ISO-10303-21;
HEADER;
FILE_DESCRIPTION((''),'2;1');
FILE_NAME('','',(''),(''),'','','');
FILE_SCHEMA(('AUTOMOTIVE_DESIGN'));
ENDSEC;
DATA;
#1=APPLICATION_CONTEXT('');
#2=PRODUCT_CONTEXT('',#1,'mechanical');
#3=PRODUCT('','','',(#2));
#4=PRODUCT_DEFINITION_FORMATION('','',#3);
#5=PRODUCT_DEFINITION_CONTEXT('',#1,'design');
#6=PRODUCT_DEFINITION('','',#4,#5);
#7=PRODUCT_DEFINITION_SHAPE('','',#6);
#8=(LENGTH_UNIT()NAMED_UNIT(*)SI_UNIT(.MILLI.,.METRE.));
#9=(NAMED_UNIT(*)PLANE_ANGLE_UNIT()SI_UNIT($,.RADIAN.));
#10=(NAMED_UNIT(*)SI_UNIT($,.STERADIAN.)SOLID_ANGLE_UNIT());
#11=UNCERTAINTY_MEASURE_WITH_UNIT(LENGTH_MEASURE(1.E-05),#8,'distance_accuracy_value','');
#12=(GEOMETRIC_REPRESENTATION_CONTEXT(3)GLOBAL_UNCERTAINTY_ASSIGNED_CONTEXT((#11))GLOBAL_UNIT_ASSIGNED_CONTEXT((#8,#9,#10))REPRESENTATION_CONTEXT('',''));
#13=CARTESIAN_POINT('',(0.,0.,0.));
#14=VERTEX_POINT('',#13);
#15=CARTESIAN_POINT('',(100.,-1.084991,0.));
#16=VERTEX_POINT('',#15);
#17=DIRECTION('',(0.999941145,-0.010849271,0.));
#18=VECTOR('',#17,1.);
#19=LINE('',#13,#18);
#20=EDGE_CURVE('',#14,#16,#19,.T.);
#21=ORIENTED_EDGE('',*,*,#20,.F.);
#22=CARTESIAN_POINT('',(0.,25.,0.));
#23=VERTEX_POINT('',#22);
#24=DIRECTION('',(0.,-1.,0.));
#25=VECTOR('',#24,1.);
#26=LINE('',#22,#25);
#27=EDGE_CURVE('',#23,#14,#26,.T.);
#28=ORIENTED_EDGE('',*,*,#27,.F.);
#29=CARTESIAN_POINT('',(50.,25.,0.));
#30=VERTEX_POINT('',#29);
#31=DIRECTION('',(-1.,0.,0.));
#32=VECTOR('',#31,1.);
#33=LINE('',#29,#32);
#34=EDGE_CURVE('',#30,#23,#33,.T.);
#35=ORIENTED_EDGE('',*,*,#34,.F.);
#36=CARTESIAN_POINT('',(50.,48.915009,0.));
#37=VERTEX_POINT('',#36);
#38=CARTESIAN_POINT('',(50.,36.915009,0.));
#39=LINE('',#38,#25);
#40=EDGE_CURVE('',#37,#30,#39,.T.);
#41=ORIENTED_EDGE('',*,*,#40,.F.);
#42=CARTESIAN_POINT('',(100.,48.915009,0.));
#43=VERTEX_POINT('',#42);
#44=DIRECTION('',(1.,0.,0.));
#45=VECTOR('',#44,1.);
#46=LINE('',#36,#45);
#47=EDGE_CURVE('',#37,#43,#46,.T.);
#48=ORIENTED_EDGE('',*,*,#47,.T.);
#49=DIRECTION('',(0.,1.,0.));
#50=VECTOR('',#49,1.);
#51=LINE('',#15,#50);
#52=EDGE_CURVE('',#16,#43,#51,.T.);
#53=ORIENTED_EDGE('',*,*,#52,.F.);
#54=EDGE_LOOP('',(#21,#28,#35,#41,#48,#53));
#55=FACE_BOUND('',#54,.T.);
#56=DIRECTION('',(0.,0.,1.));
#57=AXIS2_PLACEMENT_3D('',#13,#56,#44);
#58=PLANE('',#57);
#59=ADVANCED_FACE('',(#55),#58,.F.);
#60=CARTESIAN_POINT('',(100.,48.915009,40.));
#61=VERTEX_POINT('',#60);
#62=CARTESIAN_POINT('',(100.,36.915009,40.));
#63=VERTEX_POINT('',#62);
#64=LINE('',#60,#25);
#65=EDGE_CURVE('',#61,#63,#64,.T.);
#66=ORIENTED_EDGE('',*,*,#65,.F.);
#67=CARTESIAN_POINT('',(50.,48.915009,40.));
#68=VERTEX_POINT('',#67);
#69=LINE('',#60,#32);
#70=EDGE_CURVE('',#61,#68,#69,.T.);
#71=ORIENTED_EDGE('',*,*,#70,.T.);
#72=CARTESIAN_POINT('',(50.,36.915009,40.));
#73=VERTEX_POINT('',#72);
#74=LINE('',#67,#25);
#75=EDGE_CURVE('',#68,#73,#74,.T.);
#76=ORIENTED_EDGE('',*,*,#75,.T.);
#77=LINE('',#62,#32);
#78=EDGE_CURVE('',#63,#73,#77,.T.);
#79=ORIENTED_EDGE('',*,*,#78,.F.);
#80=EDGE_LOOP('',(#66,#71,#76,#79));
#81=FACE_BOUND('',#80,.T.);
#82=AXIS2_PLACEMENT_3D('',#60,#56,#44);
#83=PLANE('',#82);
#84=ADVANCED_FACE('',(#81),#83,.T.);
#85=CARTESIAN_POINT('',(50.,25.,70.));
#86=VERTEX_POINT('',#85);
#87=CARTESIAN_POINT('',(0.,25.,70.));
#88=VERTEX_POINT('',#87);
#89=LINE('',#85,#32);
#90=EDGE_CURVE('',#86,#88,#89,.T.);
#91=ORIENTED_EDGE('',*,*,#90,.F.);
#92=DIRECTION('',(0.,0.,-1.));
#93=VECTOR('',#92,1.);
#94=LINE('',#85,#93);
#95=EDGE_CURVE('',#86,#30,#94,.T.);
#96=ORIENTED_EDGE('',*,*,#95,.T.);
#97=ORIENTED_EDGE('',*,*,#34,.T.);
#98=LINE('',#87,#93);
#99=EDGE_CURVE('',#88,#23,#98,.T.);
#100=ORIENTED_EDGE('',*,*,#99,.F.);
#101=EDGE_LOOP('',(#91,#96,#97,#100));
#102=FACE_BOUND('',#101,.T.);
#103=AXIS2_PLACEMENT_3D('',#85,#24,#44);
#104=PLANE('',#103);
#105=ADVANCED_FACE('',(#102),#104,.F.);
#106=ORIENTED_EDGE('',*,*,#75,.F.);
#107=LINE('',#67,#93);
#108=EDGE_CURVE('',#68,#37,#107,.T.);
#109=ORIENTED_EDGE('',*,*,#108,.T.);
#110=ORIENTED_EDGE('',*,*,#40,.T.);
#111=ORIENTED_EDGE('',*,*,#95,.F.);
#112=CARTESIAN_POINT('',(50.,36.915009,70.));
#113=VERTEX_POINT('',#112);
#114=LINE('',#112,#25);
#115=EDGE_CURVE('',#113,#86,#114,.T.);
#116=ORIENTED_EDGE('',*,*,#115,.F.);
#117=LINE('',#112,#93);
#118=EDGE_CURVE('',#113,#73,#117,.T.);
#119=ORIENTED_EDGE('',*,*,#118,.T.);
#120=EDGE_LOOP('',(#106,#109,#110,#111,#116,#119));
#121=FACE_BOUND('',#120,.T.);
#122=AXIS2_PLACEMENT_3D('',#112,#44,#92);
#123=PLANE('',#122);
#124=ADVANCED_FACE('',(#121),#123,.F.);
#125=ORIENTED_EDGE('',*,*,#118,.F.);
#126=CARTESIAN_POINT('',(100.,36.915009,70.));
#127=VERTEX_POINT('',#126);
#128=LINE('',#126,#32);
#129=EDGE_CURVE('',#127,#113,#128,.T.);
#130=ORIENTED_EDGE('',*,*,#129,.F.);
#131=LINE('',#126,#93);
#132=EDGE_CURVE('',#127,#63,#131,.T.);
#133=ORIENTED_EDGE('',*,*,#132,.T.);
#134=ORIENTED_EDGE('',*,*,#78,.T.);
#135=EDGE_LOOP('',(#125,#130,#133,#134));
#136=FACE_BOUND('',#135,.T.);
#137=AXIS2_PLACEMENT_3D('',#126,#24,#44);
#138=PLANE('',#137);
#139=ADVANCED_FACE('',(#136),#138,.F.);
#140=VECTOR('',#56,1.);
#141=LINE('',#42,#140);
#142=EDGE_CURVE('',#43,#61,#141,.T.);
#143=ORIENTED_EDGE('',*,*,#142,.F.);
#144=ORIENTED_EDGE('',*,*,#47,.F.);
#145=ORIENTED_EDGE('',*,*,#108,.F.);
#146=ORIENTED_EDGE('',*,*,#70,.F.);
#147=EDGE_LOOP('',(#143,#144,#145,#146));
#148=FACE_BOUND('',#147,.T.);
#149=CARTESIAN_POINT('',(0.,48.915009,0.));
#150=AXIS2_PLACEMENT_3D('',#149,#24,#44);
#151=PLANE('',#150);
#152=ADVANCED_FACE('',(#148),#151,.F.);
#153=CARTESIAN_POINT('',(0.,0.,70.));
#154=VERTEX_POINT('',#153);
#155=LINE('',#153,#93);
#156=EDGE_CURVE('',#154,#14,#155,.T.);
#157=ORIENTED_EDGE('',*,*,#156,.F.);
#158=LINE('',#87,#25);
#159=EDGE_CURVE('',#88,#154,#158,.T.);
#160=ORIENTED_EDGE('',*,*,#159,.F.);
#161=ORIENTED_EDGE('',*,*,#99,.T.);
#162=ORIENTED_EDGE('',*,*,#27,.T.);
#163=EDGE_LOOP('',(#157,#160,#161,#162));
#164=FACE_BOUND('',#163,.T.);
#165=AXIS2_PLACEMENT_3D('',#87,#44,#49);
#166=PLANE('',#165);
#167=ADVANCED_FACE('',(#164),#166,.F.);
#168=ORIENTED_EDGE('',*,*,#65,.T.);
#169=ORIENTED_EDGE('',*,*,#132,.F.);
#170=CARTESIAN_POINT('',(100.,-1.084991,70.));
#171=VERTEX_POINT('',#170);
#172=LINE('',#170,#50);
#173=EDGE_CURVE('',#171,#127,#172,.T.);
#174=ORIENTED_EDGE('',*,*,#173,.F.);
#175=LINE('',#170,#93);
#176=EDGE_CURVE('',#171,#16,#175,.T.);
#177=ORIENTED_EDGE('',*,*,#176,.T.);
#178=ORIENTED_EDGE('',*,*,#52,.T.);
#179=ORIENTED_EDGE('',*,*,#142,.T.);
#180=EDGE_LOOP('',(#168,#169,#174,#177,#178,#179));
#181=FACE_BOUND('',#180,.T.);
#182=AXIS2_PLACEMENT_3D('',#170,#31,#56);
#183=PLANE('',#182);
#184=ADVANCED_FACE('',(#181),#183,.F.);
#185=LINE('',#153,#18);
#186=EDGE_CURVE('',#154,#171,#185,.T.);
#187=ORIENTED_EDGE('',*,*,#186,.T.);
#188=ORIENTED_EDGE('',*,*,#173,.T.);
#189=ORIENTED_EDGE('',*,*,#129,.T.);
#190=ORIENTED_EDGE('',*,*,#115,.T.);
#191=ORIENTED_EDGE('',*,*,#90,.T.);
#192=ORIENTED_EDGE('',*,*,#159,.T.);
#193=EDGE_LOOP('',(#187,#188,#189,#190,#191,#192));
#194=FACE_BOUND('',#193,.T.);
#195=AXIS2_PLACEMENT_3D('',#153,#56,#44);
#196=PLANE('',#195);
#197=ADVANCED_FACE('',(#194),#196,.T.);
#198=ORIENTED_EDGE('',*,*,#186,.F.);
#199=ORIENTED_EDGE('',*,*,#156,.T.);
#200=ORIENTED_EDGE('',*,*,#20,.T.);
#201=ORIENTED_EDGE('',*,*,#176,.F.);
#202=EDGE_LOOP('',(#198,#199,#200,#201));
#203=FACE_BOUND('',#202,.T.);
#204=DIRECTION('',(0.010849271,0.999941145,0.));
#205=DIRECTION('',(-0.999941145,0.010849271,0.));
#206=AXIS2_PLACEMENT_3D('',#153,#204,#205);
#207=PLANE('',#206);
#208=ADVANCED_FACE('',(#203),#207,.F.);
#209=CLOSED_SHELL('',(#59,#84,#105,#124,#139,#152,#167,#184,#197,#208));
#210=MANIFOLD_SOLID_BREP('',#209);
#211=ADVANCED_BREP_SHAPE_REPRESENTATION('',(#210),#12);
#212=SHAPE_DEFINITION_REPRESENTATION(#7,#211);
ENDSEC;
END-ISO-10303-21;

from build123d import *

# Parameters (mm, degrees)
BOSS_EXTRUDE1_DEPTH = 70
SKETCH2_W           = 50
SKETCH2_H           = 40
BOSS_EXTRUDE2_DEPTH = 12


with BuildPart() as part:
    # Sketch1 → Boss-Extrude1 (new body)
    with BuildSketch(Plane.XY):
        Polygon((0, 0), (100, -1.084990958), (100, 36.915009042), (50, 36.915009042), (50, 25), (0, 25), align=None)
    extrude(amount=BOSS_EXTRUDE1_DEPTH)

    # Sketch2 → Boss-Extrude2 (add)
    with BuildSketch(Plane(origin=(0, 36.915009042, 0), x_dir=(1, 0, 0), z_dir=(0, 1, 0))):
        with Locations((75, -20)):
            Rectangle(SKETCH2_W, SKETCH2_H)
    extrude(amount=BOSS_EXTRUDE2_DEPTH)


solid = part.part
